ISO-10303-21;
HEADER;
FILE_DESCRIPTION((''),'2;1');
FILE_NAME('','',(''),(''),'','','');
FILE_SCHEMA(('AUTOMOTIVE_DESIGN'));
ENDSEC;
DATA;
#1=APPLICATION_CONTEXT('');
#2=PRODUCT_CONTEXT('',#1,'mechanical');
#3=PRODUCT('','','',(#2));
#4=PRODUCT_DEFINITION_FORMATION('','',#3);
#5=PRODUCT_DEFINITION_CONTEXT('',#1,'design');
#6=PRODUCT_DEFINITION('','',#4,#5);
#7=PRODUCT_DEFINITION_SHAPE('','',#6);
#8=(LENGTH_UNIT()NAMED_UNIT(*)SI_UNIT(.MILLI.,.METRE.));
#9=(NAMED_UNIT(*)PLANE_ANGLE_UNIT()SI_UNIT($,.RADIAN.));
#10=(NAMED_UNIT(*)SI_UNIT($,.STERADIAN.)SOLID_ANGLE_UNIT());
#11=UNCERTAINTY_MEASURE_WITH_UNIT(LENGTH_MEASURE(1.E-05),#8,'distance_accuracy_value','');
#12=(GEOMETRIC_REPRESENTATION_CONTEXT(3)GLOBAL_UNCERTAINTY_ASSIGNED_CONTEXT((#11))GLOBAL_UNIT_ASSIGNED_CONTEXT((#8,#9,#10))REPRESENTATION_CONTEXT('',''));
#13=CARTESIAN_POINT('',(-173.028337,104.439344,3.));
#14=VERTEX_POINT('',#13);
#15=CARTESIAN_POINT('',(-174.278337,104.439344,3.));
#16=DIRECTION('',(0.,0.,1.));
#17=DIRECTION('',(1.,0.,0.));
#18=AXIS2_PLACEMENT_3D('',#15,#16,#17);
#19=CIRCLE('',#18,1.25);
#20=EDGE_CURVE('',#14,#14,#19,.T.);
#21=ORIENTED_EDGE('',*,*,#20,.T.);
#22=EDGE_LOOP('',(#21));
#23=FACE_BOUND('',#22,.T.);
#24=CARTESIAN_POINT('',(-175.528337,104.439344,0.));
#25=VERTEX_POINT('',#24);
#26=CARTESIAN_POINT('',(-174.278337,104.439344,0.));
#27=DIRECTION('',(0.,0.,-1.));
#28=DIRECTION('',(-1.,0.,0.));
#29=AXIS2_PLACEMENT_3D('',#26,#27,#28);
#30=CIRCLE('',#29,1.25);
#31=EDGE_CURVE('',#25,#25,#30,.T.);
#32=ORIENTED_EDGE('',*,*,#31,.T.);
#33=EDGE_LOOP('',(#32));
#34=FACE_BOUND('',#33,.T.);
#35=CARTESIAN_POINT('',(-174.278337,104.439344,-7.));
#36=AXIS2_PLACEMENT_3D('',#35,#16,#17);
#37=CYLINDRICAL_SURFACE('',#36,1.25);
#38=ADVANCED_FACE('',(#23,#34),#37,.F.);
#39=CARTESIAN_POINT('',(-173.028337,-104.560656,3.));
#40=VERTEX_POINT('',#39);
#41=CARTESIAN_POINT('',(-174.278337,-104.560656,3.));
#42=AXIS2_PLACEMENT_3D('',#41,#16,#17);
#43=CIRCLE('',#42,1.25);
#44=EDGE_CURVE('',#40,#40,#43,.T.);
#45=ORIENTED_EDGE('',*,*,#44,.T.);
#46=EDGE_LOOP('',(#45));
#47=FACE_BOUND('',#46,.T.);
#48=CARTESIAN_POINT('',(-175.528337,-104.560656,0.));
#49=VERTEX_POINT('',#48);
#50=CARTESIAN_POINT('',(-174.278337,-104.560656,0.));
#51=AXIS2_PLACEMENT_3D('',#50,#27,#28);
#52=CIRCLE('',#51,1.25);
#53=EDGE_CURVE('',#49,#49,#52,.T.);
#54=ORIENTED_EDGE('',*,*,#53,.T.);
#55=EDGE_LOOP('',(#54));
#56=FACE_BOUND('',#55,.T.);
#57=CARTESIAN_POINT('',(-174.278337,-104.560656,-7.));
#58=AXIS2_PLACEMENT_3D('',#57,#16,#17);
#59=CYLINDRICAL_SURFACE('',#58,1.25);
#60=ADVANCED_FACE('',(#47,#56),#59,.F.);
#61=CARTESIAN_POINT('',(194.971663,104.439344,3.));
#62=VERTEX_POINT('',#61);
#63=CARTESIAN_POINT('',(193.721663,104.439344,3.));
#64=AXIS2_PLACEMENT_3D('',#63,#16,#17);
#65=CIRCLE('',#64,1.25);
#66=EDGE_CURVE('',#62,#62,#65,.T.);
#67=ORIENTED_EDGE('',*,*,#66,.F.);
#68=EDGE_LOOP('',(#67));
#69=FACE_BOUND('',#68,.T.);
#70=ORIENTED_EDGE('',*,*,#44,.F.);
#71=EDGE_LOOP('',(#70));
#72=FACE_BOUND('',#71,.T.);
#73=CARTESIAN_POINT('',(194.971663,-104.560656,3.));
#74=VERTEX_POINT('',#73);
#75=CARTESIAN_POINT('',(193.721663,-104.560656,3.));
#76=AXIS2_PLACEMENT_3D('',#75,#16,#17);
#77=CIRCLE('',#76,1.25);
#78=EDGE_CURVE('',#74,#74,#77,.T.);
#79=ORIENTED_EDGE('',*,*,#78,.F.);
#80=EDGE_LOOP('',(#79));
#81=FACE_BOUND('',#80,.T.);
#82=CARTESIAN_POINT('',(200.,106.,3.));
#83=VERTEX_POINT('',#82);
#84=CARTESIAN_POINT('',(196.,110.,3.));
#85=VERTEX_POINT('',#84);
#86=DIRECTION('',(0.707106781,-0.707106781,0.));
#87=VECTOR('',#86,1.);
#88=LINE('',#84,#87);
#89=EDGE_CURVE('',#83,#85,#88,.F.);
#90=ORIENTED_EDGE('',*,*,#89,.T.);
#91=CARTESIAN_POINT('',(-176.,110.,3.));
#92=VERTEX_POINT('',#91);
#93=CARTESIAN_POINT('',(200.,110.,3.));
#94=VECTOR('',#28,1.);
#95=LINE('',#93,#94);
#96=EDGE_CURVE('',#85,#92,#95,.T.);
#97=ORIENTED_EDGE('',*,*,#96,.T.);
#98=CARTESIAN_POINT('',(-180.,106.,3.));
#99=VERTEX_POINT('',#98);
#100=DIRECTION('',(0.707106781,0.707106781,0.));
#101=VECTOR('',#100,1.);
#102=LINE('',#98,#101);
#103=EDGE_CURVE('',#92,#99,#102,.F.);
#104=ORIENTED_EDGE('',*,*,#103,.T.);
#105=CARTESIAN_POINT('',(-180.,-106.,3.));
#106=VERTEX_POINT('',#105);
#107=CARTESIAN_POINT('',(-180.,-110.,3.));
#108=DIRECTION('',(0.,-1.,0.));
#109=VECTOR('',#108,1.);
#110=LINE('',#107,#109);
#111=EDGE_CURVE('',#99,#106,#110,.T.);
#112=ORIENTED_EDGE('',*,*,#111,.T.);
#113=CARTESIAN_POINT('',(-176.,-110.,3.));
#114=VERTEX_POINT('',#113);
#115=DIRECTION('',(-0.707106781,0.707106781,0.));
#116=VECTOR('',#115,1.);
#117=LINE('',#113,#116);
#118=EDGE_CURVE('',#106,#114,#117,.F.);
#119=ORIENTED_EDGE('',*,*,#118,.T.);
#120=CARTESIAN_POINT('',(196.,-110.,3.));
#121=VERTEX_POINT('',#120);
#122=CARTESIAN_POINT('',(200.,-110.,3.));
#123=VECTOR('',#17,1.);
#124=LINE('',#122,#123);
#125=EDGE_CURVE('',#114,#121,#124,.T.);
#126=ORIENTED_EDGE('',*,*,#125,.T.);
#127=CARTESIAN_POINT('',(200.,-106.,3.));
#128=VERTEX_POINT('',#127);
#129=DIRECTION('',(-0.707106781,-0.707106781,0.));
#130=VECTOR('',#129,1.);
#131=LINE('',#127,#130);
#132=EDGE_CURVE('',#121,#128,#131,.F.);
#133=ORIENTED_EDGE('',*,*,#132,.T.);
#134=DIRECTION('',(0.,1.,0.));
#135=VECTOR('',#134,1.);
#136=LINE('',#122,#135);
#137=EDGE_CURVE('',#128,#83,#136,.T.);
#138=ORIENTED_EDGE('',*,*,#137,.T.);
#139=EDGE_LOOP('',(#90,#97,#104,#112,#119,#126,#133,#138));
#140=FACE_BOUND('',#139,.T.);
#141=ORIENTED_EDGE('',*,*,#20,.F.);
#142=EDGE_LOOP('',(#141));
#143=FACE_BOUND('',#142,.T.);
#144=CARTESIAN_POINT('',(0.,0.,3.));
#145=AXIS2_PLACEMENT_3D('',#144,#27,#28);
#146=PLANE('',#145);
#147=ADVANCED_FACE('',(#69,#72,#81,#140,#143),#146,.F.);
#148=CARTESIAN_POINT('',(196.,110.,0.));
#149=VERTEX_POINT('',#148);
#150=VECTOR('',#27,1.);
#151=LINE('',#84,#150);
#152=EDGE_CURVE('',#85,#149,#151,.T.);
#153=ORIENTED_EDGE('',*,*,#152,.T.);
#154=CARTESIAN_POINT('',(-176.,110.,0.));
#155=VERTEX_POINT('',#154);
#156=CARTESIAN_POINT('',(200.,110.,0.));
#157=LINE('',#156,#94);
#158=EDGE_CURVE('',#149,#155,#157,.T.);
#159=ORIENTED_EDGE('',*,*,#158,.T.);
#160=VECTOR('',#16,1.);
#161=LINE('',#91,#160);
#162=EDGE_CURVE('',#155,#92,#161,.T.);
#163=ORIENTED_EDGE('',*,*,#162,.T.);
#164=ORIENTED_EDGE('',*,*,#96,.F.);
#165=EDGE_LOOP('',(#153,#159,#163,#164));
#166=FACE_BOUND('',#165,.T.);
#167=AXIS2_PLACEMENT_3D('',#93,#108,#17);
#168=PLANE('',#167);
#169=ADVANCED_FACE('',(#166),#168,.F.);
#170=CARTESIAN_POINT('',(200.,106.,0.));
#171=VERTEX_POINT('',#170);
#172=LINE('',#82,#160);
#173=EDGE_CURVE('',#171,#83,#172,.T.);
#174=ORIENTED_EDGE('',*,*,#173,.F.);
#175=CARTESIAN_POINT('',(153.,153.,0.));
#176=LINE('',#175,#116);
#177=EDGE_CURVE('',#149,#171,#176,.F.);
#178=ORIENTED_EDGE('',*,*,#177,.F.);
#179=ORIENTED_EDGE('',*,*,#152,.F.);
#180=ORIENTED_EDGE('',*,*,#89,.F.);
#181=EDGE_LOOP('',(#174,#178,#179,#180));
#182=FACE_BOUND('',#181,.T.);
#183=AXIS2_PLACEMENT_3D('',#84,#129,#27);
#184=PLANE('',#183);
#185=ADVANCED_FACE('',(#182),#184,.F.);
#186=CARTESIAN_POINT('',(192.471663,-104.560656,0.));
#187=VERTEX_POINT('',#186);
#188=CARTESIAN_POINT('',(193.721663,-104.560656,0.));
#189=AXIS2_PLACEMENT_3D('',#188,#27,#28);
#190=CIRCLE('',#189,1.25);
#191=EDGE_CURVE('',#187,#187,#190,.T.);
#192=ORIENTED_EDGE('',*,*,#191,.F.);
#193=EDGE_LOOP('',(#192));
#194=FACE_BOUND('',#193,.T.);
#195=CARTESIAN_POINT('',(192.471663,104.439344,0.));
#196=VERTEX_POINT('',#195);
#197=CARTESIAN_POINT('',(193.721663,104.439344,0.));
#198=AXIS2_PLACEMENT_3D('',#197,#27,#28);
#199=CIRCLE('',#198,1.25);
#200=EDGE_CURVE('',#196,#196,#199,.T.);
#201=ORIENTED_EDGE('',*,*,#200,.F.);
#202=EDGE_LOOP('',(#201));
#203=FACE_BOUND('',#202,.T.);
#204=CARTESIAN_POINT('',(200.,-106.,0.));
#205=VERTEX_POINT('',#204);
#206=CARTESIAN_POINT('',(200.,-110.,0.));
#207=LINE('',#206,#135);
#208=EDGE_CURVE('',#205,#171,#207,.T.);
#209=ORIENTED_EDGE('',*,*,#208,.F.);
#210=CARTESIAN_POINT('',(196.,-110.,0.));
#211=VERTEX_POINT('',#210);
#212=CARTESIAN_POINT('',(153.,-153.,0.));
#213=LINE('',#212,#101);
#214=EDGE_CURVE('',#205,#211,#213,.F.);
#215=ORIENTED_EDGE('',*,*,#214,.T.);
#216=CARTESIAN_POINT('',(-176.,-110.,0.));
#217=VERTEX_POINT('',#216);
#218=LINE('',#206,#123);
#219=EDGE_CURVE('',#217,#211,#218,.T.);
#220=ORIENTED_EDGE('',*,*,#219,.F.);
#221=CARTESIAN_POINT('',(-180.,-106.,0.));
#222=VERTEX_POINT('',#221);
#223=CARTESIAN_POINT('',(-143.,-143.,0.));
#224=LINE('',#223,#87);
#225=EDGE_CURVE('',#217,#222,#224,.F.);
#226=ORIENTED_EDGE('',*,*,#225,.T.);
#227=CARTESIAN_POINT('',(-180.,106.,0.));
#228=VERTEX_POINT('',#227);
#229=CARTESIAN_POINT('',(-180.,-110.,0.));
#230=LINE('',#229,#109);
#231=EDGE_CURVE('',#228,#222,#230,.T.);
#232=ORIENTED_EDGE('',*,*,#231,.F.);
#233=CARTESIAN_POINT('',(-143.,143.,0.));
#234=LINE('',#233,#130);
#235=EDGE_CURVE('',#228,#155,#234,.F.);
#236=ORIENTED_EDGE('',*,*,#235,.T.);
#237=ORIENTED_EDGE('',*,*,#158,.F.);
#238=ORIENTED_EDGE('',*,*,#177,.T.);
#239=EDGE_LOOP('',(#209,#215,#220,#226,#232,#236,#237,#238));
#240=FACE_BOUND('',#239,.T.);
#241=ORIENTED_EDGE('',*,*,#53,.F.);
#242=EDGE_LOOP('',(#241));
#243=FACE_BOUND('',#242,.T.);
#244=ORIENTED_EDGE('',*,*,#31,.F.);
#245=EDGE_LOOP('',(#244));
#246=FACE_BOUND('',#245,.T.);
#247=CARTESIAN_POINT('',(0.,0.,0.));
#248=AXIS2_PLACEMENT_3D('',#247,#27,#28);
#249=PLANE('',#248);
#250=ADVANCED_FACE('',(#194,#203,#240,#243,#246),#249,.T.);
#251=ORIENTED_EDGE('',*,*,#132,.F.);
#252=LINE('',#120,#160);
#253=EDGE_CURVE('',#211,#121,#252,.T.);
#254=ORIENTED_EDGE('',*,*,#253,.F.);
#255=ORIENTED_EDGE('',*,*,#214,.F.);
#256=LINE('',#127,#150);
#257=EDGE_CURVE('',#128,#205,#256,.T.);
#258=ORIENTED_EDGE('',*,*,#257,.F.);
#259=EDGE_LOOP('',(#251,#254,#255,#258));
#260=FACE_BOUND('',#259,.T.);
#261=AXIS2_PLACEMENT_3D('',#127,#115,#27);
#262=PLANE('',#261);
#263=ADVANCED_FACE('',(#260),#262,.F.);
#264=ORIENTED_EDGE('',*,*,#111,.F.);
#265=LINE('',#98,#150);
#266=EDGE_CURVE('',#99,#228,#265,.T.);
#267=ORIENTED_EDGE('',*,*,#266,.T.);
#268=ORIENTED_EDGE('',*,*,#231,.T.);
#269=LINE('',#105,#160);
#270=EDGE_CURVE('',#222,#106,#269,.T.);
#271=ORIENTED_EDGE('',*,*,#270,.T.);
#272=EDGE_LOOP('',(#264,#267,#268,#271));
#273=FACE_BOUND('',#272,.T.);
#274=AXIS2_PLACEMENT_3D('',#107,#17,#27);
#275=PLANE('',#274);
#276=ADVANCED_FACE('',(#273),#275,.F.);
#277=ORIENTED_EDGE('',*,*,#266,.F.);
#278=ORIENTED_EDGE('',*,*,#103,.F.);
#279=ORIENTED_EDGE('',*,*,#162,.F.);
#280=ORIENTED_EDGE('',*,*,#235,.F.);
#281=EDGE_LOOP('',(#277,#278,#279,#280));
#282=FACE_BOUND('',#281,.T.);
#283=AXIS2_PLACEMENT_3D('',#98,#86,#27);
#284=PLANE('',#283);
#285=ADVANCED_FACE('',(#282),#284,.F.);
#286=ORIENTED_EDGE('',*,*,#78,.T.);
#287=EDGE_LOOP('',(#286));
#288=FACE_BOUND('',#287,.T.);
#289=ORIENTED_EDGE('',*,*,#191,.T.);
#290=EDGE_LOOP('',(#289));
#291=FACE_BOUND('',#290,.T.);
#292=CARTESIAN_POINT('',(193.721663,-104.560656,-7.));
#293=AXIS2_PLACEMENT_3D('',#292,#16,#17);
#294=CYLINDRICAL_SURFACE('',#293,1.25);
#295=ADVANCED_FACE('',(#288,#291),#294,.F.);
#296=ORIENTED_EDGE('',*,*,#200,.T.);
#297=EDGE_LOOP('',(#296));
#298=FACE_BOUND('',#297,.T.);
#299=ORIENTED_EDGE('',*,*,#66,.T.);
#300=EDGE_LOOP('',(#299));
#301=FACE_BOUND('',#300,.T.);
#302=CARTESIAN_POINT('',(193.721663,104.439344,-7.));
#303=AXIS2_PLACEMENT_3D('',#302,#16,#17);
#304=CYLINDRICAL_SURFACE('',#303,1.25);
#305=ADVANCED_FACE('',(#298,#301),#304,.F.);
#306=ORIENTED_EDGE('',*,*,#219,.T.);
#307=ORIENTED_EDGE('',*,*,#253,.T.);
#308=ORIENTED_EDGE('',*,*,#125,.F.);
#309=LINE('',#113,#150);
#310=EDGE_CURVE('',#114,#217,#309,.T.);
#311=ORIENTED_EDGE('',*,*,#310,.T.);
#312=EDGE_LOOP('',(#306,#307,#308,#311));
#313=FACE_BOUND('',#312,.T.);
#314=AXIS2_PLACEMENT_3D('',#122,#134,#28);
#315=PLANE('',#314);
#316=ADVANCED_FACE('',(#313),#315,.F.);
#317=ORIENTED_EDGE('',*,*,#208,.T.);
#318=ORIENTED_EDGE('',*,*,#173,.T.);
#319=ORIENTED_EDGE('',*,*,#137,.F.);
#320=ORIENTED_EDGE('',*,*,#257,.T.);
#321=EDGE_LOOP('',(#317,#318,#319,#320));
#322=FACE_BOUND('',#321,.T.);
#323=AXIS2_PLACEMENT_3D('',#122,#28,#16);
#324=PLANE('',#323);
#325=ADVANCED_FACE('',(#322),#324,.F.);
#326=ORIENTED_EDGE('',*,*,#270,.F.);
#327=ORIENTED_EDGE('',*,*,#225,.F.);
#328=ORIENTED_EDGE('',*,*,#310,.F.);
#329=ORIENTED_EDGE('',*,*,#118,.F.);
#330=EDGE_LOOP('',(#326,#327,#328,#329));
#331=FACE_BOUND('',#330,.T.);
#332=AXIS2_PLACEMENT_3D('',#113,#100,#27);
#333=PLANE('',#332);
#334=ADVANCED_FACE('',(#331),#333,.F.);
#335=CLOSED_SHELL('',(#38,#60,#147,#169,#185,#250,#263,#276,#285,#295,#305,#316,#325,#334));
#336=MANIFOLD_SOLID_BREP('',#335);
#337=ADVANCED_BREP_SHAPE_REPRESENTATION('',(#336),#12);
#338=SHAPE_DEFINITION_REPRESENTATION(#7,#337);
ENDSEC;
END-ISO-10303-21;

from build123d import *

# Parameters (mm, degrees)
SKETCH1_W           = 380
SKETCH1_H           = 220
BOSS_EXTRUDE1_DEPTH = 3
SKETCH2_R           = 1.25
CUT_EXTRUDE1_DEPTH  = 10
CHAMFER1_SIZE       = 4


with BuildPart() as part:
    # Sketch1 → Boss-Extrude1 (new body)
    with BuildSketch(Plane.XY):
        with Locations((10, 0)):
            Rectangle(SKETCH1_W, SKETCH1_H)
    extrude(amount=BOSS_EXTRUDE1_DEPTH)

    # Sketch2 → Cut-Extrude1 (cut)
    with BuildSketch(Plane.XY.offset(3)):
        with Locations((-174.278337167, -104.560656269)):
            Circle(SKETCH2_R)
        with Locations((-174.278337167, 104.439343731)):
            Circle(SKETCH2_R)
        with Locations((193.721662833, -104.560656269)):
            Circle(SKETCH2_R)
        with Locations((193.721662833, 104.439343731)):
            Circle(SKETCH2_R)
    extrude(amount=-CUT_EXTRUDE1_DEPTH, mode=Mode.SUBTRACT)

    # Chamfer1
    chamfer1_edges = [part.edges().sort_by_distance(p)[0] for p in [
        (200, 110, 1.5),
        (200, -110, 1.5),
        (-180, -110, 1.5),
        (-180, 110, 1.5),
    ]]
    chamfer(chamfer1_edges, length=CHAMFER1_SIZE)


solid = part.part
